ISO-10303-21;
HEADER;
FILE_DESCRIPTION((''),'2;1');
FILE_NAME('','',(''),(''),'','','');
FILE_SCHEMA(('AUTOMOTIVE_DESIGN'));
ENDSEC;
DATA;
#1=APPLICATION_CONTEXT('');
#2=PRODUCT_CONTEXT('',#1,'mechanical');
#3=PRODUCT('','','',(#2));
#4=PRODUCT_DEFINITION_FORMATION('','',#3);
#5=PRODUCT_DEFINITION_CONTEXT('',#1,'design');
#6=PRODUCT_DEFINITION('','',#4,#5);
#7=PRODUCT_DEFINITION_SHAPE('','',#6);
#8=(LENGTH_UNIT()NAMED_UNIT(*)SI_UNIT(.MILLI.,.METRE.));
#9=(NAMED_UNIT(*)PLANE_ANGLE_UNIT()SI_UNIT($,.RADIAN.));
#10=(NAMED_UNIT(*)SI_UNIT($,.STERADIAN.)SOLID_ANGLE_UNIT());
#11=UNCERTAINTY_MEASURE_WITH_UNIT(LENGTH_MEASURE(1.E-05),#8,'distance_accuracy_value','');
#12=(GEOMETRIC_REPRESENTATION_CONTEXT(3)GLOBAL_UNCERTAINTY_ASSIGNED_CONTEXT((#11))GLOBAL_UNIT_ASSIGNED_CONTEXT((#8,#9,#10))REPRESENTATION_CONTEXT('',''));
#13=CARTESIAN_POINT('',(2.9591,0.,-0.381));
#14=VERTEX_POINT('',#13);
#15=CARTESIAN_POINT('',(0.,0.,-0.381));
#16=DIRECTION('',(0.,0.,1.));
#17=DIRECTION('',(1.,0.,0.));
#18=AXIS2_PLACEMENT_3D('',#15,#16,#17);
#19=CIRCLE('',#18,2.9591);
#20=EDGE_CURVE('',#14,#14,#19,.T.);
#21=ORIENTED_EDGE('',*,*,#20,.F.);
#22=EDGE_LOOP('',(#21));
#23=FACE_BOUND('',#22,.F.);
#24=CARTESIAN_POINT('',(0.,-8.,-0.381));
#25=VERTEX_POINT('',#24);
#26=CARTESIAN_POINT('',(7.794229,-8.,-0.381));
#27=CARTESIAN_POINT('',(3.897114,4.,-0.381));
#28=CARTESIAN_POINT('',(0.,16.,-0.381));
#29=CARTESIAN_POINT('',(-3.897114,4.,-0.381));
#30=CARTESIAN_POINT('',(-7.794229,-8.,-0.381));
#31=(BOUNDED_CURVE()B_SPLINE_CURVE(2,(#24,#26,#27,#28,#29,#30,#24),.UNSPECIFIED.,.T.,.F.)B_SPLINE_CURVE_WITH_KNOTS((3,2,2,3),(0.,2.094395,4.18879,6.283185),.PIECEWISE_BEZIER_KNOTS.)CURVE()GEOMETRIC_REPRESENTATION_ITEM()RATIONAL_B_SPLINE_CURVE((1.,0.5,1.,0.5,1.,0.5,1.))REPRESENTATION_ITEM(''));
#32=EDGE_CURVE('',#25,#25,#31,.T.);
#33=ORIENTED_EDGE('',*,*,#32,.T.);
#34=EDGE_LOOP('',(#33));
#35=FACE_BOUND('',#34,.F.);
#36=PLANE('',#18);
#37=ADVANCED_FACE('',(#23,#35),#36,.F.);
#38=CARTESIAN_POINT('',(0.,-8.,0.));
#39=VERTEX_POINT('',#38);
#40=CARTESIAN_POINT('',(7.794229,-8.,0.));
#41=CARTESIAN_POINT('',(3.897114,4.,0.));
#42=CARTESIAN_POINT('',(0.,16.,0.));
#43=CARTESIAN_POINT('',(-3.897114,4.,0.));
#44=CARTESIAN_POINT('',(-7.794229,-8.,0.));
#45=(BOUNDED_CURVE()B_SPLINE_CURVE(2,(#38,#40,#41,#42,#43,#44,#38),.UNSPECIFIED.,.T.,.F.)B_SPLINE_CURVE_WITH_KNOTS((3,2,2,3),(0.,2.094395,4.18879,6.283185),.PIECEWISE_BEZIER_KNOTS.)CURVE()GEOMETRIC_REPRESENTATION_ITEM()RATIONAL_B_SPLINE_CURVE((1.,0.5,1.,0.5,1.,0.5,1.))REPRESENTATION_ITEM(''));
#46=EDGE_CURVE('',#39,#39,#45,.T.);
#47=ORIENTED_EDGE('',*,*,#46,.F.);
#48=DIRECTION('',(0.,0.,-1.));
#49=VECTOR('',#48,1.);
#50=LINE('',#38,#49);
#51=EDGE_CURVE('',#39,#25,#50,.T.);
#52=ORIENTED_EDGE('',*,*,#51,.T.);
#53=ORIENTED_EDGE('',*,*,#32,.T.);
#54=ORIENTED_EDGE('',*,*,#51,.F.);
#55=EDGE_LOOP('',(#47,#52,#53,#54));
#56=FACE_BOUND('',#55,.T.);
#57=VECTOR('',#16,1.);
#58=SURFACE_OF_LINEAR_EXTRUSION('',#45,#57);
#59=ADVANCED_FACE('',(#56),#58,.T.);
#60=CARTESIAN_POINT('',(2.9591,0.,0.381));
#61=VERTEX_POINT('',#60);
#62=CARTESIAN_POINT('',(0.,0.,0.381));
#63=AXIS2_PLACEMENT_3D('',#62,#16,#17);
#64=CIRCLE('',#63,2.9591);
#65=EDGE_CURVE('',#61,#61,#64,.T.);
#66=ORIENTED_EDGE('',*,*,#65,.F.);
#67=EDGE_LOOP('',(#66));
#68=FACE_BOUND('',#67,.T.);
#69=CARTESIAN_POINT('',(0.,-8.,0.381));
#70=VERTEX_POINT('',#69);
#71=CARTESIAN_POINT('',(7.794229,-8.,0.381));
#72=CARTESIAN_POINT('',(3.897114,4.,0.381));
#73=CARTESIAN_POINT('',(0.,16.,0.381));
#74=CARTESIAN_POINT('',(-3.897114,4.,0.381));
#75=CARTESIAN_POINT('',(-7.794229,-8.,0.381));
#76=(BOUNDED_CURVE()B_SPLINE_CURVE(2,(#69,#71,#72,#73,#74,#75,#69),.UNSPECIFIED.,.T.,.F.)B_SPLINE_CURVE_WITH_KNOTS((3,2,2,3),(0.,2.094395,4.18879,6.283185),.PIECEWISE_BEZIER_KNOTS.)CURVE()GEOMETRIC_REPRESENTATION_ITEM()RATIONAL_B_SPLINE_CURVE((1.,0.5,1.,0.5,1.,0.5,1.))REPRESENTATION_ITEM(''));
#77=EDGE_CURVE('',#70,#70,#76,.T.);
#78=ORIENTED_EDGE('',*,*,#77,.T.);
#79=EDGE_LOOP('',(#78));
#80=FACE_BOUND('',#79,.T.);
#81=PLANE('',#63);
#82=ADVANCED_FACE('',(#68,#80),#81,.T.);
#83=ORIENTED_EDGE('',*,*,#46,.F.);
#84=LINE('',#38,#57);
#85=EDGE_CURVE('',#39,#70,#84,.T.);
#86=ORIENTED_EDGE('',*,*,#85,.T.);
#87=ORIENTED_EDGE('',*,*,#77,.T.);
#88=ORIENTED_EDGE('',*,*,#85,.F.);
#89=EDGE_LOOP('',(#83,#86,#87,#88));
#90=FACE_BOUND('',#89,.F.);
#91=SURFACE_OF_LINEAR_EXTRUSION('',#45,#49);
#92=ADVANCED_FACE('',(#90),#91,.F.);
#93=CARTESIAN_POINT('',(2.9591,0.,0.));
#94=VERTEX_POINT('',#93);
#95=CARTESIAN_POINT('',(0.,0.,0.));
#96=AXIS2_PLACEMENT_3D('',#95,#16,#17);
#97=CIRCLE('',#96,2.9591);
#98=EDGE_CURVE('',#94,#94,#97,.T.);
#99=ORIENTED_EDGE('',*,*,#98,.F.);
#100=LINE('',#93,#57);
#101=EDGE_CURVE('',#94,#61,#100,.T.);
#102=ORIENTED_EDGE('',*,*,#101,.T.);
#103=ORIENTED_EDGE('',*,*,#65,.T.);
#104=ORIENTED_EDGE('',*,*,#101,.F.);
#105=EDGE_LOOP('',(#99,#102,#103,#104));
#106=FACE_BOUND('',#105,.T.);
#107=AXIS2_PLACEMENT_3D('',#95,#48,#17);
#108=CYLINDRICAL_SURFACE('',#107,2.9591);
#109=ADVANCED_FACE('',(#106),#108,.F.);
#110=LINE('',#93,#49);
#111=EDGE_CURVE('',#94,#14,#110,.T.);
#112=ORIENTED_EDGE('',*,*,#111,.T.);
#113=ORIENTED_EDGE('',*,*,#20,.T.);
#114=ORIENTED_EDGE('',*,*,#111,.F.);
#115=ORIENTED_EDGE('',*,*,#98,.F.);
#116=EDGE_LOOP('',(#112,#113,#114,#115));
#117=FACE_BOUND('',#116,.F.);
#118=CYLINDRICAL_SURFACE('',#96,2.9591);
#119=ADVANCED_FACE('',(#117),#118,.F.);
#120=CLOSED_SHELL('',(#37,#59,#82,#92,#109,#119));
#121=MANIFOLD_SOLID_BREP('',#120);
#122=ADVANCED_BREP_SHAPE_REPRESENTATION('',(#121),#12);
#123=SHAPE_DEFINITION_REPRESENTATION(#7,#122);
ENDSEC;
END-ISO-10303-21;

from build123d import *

# Parameters (mm, degrees)
F0_R     = 2.9591
F1_DEPTH = 0.381


with BuildPart() as f1:
    # F0 (on Top) → F1 (new body, symmetric)
    with BuildSketch(Plane.XY):
        with BuildLine():
            add(Edge.make_bspline(
                [(0, -8), (7.794229, -8), (3.897114, 4), (0, 16), (-3.897114, 4), (-7.794229, -8), (0, -8)],
                knots=[0, 0, 0, 2.094395, 2.094395, 4.18879, 4.18879, 6.283185, 6.283185, 6.283185], degree=2, weights=[1, 0.5, 1, 0.5, 1, 0.5, 1]))
        make_face()
        Circle(F0_R, mode=Mode.SUBTRACT)
    extrude(amount=F1_DEPTH, both=True)


solid = f1.part
